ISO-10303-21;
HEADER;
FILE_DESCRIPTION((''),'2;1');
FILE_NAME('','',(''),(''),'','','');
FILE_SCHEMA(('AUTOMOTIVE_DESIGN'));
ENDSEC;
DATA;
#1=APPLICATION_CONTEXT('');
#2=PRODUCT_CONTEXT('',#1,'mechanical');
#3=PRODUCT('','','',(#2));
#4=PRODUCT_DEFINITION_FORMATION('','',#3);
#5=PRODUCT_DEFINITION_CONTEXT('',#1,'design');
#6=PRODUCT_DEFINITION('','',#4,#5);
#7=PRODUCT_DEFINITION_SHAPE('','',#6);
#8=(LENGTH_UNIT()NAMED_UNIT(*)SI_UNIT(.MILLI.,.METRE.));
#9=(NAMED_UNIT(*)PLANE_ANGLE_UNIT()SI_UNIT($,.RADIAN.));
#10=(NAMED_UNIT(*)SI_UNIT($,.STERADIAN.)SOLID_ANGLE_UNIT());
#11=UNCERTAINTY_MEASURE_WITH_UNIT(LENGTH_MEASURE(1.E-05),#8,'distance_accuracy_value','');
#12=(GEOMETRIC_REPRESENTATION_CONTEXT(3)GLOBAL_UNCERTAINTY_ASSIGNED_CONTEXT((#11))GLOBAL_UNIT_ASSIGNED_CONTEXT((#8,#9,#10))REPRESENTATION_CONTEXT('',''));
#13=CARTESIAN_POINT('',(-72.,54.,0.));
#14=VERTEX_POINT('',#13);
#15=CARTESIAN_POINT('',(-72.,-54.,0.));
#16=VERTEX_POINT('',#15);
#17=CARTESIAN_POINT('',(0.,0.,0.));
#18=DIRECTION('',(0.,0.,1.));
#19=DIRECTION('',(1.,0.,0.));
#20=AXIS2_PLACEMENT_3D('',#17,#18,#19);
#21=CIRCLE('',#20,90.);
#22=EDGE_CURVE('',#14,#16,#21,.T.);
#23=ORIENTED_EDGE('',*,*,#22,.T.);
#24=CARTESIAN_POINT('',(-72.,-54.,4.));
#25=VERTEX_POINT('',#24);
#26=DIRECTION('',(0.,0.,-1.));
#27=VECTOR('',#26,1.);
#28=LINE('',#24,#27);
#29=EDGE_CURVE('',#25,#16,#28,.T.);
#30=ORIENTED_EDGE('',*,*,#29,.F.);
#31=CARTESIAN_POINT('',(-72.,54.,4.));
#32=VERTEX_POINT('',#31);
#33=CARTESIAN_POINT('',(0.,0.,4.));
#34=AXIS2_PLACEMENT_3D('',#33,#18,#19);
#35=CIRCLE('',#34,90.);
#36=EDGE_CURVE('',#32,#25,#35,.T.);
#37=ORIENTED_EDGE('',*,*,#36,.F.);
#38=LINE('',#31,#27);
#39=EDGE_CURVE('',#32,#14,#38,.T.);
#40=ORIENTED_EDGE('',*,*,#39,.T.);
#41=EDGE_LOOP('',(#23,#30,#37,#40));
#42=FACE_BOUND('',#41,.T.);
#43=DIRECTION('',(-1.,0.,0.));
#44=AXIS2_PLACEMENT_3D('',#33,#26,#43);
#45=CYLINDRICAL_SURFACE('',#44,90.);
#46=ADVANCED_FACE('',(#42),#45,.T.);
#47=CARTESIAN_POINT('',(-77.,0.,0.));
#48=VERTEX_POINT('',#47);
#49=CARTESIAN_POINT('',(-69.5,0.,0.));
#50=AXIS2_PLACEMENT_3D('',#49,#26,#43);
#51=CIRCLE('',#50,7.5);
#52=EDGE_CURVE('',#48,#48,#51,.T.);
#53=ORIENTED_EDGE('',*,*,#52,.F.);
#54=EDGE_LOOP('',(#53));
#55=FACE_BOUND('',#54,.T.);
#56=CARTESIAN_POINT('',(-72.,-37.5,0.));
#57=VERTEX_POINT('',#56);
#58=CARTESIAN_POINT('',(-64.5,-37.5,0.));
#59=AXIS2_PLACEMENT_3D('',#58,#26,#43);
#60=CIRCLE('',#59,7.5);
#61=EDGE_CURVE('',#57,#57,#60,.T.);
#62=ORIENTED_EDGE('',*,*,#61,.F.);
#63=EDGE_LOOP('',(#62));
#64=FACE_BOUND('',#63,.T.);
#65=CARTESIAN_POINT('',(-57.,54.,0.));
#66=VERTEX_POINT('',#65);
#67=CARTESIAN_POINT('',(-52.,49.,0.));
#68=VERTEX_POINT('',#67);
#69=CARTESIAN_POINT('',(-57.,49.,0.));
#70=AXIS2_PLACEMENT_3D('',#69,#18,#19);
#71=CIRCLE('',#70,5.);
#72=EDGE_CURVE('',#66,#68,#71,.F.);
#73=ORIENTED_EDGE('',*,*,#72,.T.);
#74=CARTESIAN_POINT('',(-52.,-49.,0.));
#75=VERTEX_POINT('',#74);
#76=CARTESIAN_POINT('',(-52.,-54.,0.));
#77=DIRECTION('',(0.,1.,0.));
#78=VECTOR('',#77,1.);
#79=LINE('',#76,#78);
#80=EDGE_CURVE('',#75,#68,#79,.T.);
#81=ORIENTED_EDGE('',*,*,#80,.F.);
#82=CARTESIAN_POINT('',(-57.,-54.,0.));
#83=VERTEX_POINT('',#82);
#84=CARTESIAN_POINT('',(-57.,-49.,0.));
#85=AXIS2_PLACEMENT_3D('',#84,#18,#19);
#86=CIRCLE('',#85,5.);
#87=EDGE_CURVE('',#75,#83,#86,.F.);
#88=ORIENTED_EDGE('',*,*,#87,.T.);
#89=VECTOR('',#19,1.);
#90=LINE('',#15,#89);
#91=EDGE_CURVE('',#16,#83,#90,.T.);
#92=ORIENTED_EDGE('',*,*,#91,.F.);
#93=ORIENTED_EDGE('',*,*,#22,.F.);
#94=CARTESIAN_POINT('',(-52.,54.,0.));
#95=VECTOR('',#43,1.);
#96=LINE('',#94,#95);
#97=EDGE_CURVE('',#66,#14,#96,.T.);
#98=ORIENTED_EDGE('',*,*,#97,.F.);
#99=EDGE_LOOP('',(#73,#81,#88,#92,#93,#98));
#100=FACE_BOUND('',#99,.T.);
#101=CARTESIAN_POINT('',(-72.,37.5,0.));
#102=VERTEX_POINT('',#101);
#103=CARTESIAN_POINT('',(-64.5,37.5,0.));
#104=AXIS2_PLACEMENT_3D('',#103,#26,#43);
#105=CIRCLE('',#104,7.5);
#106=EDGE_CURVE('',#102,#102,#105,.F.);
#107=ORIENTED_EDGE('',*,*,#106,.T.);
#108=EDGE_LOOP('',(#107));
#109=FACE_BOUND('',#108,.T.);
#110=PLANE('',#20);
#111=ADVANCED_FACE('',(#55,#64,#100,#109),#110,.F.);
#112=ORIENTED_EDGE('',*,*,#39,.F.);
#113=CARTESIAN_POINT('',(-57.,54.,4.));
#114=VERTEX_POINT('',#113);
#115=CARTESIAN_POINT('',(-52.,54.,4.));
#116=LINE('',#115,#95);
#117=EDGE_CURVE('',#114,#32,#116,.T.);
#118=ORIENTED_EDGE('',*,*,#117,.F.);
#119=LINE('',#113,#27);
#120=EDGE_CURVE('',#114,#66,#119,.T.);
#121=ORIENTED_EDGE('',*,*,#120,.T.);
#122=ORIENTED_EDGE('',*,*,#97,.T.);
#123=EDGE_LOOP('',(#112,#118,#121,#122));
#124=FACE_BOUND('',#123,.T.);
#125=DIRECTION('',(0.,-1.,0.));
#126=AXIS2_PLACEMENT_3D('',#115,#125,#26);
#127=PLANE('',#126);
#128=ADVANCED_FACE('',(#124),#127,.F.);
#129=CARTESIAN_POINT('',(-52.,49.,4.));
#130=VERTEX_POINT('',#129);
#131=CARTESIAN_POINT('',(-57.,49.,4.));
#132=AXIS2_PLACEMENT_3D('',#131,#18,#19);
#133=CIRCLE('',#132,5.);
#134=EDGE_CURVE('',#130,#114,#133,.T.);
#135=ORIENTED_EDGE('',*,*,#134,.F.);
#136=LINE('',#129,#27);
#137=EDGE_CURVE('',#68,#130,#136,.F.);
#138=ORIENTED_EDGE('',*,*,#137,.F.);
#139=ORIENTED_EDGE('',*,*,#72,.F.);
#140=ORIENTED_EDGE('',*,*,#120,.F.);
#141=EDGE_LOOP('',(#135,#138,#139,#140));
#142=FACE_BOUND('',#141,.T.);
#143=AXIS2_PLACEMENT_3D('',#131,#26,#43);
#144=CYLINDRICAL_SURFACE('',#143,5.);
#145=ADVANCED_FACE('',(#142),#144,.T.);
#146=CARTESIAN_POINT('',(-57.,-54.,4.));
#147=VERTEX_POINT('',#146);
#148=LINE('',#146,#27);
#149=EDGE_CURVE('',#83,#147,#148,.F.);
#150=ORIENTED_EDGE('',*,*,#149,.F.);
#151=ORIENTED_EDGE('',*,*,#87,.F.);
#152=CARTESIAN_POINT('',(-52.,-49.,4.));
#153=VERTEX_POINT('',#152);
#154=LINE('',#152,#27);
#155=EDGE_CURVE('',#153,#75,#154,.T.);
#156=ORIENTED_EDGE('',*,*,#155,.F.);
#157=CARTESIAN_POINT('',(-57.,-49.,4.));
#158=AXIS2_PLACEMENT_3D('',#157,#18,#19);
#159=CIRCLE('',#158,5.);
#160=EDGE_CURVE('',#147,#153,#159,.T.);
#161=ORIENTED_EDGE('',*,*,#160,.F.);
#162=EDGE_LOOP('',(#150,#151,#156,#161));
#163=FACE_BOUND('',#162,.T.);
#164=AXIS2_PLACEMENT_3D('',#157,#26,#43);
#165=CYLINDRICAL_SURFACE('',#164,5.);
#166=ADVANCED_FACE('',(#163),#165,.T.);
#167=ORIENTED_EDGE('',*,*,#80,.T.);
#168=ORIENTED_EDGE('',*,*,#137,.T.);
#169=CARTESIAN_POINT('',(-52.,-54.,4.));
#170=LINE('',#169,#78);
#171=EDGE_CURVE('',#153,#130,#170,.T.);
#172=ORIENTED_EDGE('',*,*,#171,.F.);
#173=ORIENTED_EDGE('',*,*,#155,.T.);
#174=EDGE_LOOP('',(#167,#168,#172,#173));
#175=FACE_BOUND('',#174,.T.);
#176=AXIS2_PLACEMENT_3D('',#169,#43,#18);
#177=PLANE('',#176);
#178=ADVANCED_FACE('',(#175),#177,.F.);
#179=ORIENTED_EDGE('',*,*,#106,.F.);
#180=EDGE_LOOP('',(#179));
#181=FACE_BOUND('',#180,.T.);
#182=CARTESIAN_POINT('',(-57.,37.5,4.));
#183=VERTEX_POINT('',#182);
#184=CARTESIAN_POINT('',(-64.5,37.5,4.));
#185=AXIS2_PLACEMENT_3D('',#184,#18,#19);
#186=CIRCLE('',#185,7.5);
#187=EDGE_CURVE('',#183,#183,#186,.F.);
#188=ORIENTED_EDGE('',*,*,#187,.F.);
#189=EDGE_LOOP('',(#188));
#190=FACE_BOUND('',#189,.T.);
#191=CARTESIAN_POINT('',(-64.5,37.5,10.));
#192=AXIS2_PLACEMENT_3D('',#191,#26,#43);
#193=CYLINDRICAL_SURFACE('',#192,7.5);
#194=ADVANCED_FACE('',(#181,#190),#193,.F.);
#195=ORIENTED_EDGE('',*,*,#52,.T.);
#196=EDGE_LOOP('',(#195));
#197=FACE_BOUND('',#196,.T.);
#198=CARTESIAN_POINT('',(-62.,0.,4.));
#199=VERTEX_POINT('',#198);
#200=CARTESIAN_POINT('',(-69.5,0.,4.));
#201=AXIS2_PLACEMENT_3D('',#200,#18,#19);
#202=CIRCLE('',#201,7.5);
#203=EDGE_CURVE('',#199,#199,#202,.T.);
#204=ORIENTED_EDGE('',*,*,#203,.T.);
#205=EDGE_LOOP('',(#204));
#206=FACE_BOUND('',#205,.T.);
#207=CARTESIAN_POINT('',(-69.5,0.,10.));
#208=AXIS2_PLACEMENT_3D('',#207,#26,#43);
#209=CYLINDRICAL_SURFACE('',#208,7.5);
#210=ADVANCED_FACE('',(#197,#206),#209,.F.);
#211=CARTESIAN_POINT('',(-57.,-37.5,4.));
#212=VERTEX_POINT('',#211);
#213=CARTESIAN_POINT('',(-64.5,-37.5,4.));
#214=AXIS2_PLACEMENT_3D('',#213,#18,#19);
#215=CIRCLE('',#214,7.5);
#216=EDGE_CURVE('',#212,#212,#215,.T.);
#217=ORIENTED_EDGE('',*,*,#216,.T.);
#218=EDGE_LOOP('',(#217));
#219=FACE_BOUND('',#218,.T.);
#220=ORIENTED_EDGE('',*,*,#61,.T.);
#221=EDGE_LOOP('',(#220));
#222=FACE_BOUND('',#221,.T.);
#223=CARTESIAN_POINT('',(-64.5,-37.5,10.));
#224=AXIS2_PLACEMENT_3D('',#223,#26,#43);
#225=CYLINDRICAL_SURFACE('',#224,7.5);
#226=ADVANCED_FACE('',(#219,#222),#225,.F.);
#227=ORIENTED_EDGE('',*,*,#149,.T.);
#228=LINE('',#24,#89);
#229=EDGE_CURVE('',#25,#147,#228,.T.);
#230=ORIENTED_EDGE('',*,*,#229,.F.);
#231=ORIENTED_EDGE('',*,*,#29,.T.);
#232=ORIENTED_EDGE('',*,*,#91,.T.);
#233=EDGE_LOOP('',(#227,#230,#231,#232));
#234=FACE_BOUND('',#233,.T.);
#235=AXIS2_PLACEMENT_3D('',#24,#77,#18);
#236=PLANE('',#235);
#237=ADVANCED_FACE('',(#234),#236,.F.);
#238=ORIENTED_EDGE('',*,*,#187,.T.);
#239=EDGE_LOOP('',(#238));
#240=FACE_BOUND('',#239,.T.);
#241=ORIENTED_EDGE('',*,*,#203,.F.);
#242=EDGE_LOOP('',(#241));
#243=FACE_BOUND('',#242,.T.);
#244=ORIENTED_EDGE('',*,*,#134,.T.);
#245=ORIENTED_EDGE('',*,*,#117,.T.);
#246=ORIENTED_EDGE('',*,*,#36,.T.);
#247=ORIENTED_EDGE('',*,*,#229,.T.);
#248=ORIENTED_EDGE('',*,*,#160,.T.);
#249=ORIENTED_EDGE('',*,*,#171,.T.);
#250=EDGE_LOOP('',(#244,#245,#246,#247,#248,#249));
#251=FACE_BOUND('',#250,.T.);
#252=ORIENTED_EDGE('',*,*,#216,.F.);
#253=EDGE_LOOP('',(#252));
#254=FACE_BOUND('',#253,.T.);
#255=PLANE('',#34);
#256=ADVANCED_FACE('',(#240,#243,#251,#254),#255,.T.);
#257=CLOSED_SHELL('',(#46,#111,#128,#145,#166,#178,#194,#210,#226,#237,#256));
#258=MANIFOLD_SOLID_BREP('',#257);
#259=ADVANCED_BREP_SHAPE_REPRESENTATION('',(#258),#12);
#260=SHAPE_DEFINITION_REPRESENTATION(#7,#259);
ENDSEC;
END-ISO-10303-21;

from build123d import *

# Parameters (mm, degrees)
RESSALTO_EXTRUS_O1_DEPTH = 4
ESBO_O2_R                = 7.5
CORTE_EXTRUS_O1_DEPTH    = 10
FILETE1_R                = 5


with BuildPart() as part:
    # Esboço1 → Ressalto-extrusão1 (new body)
    with BuildSketch(Plane.XY):
        with BuildLine():
            Line((-72, -54), (-52, -54))
            Line((-52, -54), (-52, 54))
            Line((-52, 54), (-72, 54))
            ThreePointArc((-72, 54), (-90, 0), (-72, -54))
        make_face()
    extrude(amount=RESSALTO_EXTRUS_O1_DEPTH)

    # Esboço2 → Corte-extrusão1 (cut)
    with BuildSketch(Plane(origin=(0, 0, 0), x_dir=(-1, 0, 0), z_dir=(0, 0, -1))):
        with Locations((69.5, 0)):
            Circle(ESBO_O2_R)
        with Locations((64.5, -37.5)):
            Circle(ESBO_O2_R)
        with Locations((64.5, 37.5)):
            Circle(ESBO_O2_R)
    extrude(amount=-CORTE_EXTRUS_O1_DEPTH, mode=Mode.SUBTRACT)

    # Filete1
    filete1_edges = [part.edges().sort_by_distance(p)[0] for p in [
        (-52, 54, 2),
        (-52, -54, 2),
    ]]
    fillet(filete1_edges, radius=FILETE1_R)


solid = part.part
